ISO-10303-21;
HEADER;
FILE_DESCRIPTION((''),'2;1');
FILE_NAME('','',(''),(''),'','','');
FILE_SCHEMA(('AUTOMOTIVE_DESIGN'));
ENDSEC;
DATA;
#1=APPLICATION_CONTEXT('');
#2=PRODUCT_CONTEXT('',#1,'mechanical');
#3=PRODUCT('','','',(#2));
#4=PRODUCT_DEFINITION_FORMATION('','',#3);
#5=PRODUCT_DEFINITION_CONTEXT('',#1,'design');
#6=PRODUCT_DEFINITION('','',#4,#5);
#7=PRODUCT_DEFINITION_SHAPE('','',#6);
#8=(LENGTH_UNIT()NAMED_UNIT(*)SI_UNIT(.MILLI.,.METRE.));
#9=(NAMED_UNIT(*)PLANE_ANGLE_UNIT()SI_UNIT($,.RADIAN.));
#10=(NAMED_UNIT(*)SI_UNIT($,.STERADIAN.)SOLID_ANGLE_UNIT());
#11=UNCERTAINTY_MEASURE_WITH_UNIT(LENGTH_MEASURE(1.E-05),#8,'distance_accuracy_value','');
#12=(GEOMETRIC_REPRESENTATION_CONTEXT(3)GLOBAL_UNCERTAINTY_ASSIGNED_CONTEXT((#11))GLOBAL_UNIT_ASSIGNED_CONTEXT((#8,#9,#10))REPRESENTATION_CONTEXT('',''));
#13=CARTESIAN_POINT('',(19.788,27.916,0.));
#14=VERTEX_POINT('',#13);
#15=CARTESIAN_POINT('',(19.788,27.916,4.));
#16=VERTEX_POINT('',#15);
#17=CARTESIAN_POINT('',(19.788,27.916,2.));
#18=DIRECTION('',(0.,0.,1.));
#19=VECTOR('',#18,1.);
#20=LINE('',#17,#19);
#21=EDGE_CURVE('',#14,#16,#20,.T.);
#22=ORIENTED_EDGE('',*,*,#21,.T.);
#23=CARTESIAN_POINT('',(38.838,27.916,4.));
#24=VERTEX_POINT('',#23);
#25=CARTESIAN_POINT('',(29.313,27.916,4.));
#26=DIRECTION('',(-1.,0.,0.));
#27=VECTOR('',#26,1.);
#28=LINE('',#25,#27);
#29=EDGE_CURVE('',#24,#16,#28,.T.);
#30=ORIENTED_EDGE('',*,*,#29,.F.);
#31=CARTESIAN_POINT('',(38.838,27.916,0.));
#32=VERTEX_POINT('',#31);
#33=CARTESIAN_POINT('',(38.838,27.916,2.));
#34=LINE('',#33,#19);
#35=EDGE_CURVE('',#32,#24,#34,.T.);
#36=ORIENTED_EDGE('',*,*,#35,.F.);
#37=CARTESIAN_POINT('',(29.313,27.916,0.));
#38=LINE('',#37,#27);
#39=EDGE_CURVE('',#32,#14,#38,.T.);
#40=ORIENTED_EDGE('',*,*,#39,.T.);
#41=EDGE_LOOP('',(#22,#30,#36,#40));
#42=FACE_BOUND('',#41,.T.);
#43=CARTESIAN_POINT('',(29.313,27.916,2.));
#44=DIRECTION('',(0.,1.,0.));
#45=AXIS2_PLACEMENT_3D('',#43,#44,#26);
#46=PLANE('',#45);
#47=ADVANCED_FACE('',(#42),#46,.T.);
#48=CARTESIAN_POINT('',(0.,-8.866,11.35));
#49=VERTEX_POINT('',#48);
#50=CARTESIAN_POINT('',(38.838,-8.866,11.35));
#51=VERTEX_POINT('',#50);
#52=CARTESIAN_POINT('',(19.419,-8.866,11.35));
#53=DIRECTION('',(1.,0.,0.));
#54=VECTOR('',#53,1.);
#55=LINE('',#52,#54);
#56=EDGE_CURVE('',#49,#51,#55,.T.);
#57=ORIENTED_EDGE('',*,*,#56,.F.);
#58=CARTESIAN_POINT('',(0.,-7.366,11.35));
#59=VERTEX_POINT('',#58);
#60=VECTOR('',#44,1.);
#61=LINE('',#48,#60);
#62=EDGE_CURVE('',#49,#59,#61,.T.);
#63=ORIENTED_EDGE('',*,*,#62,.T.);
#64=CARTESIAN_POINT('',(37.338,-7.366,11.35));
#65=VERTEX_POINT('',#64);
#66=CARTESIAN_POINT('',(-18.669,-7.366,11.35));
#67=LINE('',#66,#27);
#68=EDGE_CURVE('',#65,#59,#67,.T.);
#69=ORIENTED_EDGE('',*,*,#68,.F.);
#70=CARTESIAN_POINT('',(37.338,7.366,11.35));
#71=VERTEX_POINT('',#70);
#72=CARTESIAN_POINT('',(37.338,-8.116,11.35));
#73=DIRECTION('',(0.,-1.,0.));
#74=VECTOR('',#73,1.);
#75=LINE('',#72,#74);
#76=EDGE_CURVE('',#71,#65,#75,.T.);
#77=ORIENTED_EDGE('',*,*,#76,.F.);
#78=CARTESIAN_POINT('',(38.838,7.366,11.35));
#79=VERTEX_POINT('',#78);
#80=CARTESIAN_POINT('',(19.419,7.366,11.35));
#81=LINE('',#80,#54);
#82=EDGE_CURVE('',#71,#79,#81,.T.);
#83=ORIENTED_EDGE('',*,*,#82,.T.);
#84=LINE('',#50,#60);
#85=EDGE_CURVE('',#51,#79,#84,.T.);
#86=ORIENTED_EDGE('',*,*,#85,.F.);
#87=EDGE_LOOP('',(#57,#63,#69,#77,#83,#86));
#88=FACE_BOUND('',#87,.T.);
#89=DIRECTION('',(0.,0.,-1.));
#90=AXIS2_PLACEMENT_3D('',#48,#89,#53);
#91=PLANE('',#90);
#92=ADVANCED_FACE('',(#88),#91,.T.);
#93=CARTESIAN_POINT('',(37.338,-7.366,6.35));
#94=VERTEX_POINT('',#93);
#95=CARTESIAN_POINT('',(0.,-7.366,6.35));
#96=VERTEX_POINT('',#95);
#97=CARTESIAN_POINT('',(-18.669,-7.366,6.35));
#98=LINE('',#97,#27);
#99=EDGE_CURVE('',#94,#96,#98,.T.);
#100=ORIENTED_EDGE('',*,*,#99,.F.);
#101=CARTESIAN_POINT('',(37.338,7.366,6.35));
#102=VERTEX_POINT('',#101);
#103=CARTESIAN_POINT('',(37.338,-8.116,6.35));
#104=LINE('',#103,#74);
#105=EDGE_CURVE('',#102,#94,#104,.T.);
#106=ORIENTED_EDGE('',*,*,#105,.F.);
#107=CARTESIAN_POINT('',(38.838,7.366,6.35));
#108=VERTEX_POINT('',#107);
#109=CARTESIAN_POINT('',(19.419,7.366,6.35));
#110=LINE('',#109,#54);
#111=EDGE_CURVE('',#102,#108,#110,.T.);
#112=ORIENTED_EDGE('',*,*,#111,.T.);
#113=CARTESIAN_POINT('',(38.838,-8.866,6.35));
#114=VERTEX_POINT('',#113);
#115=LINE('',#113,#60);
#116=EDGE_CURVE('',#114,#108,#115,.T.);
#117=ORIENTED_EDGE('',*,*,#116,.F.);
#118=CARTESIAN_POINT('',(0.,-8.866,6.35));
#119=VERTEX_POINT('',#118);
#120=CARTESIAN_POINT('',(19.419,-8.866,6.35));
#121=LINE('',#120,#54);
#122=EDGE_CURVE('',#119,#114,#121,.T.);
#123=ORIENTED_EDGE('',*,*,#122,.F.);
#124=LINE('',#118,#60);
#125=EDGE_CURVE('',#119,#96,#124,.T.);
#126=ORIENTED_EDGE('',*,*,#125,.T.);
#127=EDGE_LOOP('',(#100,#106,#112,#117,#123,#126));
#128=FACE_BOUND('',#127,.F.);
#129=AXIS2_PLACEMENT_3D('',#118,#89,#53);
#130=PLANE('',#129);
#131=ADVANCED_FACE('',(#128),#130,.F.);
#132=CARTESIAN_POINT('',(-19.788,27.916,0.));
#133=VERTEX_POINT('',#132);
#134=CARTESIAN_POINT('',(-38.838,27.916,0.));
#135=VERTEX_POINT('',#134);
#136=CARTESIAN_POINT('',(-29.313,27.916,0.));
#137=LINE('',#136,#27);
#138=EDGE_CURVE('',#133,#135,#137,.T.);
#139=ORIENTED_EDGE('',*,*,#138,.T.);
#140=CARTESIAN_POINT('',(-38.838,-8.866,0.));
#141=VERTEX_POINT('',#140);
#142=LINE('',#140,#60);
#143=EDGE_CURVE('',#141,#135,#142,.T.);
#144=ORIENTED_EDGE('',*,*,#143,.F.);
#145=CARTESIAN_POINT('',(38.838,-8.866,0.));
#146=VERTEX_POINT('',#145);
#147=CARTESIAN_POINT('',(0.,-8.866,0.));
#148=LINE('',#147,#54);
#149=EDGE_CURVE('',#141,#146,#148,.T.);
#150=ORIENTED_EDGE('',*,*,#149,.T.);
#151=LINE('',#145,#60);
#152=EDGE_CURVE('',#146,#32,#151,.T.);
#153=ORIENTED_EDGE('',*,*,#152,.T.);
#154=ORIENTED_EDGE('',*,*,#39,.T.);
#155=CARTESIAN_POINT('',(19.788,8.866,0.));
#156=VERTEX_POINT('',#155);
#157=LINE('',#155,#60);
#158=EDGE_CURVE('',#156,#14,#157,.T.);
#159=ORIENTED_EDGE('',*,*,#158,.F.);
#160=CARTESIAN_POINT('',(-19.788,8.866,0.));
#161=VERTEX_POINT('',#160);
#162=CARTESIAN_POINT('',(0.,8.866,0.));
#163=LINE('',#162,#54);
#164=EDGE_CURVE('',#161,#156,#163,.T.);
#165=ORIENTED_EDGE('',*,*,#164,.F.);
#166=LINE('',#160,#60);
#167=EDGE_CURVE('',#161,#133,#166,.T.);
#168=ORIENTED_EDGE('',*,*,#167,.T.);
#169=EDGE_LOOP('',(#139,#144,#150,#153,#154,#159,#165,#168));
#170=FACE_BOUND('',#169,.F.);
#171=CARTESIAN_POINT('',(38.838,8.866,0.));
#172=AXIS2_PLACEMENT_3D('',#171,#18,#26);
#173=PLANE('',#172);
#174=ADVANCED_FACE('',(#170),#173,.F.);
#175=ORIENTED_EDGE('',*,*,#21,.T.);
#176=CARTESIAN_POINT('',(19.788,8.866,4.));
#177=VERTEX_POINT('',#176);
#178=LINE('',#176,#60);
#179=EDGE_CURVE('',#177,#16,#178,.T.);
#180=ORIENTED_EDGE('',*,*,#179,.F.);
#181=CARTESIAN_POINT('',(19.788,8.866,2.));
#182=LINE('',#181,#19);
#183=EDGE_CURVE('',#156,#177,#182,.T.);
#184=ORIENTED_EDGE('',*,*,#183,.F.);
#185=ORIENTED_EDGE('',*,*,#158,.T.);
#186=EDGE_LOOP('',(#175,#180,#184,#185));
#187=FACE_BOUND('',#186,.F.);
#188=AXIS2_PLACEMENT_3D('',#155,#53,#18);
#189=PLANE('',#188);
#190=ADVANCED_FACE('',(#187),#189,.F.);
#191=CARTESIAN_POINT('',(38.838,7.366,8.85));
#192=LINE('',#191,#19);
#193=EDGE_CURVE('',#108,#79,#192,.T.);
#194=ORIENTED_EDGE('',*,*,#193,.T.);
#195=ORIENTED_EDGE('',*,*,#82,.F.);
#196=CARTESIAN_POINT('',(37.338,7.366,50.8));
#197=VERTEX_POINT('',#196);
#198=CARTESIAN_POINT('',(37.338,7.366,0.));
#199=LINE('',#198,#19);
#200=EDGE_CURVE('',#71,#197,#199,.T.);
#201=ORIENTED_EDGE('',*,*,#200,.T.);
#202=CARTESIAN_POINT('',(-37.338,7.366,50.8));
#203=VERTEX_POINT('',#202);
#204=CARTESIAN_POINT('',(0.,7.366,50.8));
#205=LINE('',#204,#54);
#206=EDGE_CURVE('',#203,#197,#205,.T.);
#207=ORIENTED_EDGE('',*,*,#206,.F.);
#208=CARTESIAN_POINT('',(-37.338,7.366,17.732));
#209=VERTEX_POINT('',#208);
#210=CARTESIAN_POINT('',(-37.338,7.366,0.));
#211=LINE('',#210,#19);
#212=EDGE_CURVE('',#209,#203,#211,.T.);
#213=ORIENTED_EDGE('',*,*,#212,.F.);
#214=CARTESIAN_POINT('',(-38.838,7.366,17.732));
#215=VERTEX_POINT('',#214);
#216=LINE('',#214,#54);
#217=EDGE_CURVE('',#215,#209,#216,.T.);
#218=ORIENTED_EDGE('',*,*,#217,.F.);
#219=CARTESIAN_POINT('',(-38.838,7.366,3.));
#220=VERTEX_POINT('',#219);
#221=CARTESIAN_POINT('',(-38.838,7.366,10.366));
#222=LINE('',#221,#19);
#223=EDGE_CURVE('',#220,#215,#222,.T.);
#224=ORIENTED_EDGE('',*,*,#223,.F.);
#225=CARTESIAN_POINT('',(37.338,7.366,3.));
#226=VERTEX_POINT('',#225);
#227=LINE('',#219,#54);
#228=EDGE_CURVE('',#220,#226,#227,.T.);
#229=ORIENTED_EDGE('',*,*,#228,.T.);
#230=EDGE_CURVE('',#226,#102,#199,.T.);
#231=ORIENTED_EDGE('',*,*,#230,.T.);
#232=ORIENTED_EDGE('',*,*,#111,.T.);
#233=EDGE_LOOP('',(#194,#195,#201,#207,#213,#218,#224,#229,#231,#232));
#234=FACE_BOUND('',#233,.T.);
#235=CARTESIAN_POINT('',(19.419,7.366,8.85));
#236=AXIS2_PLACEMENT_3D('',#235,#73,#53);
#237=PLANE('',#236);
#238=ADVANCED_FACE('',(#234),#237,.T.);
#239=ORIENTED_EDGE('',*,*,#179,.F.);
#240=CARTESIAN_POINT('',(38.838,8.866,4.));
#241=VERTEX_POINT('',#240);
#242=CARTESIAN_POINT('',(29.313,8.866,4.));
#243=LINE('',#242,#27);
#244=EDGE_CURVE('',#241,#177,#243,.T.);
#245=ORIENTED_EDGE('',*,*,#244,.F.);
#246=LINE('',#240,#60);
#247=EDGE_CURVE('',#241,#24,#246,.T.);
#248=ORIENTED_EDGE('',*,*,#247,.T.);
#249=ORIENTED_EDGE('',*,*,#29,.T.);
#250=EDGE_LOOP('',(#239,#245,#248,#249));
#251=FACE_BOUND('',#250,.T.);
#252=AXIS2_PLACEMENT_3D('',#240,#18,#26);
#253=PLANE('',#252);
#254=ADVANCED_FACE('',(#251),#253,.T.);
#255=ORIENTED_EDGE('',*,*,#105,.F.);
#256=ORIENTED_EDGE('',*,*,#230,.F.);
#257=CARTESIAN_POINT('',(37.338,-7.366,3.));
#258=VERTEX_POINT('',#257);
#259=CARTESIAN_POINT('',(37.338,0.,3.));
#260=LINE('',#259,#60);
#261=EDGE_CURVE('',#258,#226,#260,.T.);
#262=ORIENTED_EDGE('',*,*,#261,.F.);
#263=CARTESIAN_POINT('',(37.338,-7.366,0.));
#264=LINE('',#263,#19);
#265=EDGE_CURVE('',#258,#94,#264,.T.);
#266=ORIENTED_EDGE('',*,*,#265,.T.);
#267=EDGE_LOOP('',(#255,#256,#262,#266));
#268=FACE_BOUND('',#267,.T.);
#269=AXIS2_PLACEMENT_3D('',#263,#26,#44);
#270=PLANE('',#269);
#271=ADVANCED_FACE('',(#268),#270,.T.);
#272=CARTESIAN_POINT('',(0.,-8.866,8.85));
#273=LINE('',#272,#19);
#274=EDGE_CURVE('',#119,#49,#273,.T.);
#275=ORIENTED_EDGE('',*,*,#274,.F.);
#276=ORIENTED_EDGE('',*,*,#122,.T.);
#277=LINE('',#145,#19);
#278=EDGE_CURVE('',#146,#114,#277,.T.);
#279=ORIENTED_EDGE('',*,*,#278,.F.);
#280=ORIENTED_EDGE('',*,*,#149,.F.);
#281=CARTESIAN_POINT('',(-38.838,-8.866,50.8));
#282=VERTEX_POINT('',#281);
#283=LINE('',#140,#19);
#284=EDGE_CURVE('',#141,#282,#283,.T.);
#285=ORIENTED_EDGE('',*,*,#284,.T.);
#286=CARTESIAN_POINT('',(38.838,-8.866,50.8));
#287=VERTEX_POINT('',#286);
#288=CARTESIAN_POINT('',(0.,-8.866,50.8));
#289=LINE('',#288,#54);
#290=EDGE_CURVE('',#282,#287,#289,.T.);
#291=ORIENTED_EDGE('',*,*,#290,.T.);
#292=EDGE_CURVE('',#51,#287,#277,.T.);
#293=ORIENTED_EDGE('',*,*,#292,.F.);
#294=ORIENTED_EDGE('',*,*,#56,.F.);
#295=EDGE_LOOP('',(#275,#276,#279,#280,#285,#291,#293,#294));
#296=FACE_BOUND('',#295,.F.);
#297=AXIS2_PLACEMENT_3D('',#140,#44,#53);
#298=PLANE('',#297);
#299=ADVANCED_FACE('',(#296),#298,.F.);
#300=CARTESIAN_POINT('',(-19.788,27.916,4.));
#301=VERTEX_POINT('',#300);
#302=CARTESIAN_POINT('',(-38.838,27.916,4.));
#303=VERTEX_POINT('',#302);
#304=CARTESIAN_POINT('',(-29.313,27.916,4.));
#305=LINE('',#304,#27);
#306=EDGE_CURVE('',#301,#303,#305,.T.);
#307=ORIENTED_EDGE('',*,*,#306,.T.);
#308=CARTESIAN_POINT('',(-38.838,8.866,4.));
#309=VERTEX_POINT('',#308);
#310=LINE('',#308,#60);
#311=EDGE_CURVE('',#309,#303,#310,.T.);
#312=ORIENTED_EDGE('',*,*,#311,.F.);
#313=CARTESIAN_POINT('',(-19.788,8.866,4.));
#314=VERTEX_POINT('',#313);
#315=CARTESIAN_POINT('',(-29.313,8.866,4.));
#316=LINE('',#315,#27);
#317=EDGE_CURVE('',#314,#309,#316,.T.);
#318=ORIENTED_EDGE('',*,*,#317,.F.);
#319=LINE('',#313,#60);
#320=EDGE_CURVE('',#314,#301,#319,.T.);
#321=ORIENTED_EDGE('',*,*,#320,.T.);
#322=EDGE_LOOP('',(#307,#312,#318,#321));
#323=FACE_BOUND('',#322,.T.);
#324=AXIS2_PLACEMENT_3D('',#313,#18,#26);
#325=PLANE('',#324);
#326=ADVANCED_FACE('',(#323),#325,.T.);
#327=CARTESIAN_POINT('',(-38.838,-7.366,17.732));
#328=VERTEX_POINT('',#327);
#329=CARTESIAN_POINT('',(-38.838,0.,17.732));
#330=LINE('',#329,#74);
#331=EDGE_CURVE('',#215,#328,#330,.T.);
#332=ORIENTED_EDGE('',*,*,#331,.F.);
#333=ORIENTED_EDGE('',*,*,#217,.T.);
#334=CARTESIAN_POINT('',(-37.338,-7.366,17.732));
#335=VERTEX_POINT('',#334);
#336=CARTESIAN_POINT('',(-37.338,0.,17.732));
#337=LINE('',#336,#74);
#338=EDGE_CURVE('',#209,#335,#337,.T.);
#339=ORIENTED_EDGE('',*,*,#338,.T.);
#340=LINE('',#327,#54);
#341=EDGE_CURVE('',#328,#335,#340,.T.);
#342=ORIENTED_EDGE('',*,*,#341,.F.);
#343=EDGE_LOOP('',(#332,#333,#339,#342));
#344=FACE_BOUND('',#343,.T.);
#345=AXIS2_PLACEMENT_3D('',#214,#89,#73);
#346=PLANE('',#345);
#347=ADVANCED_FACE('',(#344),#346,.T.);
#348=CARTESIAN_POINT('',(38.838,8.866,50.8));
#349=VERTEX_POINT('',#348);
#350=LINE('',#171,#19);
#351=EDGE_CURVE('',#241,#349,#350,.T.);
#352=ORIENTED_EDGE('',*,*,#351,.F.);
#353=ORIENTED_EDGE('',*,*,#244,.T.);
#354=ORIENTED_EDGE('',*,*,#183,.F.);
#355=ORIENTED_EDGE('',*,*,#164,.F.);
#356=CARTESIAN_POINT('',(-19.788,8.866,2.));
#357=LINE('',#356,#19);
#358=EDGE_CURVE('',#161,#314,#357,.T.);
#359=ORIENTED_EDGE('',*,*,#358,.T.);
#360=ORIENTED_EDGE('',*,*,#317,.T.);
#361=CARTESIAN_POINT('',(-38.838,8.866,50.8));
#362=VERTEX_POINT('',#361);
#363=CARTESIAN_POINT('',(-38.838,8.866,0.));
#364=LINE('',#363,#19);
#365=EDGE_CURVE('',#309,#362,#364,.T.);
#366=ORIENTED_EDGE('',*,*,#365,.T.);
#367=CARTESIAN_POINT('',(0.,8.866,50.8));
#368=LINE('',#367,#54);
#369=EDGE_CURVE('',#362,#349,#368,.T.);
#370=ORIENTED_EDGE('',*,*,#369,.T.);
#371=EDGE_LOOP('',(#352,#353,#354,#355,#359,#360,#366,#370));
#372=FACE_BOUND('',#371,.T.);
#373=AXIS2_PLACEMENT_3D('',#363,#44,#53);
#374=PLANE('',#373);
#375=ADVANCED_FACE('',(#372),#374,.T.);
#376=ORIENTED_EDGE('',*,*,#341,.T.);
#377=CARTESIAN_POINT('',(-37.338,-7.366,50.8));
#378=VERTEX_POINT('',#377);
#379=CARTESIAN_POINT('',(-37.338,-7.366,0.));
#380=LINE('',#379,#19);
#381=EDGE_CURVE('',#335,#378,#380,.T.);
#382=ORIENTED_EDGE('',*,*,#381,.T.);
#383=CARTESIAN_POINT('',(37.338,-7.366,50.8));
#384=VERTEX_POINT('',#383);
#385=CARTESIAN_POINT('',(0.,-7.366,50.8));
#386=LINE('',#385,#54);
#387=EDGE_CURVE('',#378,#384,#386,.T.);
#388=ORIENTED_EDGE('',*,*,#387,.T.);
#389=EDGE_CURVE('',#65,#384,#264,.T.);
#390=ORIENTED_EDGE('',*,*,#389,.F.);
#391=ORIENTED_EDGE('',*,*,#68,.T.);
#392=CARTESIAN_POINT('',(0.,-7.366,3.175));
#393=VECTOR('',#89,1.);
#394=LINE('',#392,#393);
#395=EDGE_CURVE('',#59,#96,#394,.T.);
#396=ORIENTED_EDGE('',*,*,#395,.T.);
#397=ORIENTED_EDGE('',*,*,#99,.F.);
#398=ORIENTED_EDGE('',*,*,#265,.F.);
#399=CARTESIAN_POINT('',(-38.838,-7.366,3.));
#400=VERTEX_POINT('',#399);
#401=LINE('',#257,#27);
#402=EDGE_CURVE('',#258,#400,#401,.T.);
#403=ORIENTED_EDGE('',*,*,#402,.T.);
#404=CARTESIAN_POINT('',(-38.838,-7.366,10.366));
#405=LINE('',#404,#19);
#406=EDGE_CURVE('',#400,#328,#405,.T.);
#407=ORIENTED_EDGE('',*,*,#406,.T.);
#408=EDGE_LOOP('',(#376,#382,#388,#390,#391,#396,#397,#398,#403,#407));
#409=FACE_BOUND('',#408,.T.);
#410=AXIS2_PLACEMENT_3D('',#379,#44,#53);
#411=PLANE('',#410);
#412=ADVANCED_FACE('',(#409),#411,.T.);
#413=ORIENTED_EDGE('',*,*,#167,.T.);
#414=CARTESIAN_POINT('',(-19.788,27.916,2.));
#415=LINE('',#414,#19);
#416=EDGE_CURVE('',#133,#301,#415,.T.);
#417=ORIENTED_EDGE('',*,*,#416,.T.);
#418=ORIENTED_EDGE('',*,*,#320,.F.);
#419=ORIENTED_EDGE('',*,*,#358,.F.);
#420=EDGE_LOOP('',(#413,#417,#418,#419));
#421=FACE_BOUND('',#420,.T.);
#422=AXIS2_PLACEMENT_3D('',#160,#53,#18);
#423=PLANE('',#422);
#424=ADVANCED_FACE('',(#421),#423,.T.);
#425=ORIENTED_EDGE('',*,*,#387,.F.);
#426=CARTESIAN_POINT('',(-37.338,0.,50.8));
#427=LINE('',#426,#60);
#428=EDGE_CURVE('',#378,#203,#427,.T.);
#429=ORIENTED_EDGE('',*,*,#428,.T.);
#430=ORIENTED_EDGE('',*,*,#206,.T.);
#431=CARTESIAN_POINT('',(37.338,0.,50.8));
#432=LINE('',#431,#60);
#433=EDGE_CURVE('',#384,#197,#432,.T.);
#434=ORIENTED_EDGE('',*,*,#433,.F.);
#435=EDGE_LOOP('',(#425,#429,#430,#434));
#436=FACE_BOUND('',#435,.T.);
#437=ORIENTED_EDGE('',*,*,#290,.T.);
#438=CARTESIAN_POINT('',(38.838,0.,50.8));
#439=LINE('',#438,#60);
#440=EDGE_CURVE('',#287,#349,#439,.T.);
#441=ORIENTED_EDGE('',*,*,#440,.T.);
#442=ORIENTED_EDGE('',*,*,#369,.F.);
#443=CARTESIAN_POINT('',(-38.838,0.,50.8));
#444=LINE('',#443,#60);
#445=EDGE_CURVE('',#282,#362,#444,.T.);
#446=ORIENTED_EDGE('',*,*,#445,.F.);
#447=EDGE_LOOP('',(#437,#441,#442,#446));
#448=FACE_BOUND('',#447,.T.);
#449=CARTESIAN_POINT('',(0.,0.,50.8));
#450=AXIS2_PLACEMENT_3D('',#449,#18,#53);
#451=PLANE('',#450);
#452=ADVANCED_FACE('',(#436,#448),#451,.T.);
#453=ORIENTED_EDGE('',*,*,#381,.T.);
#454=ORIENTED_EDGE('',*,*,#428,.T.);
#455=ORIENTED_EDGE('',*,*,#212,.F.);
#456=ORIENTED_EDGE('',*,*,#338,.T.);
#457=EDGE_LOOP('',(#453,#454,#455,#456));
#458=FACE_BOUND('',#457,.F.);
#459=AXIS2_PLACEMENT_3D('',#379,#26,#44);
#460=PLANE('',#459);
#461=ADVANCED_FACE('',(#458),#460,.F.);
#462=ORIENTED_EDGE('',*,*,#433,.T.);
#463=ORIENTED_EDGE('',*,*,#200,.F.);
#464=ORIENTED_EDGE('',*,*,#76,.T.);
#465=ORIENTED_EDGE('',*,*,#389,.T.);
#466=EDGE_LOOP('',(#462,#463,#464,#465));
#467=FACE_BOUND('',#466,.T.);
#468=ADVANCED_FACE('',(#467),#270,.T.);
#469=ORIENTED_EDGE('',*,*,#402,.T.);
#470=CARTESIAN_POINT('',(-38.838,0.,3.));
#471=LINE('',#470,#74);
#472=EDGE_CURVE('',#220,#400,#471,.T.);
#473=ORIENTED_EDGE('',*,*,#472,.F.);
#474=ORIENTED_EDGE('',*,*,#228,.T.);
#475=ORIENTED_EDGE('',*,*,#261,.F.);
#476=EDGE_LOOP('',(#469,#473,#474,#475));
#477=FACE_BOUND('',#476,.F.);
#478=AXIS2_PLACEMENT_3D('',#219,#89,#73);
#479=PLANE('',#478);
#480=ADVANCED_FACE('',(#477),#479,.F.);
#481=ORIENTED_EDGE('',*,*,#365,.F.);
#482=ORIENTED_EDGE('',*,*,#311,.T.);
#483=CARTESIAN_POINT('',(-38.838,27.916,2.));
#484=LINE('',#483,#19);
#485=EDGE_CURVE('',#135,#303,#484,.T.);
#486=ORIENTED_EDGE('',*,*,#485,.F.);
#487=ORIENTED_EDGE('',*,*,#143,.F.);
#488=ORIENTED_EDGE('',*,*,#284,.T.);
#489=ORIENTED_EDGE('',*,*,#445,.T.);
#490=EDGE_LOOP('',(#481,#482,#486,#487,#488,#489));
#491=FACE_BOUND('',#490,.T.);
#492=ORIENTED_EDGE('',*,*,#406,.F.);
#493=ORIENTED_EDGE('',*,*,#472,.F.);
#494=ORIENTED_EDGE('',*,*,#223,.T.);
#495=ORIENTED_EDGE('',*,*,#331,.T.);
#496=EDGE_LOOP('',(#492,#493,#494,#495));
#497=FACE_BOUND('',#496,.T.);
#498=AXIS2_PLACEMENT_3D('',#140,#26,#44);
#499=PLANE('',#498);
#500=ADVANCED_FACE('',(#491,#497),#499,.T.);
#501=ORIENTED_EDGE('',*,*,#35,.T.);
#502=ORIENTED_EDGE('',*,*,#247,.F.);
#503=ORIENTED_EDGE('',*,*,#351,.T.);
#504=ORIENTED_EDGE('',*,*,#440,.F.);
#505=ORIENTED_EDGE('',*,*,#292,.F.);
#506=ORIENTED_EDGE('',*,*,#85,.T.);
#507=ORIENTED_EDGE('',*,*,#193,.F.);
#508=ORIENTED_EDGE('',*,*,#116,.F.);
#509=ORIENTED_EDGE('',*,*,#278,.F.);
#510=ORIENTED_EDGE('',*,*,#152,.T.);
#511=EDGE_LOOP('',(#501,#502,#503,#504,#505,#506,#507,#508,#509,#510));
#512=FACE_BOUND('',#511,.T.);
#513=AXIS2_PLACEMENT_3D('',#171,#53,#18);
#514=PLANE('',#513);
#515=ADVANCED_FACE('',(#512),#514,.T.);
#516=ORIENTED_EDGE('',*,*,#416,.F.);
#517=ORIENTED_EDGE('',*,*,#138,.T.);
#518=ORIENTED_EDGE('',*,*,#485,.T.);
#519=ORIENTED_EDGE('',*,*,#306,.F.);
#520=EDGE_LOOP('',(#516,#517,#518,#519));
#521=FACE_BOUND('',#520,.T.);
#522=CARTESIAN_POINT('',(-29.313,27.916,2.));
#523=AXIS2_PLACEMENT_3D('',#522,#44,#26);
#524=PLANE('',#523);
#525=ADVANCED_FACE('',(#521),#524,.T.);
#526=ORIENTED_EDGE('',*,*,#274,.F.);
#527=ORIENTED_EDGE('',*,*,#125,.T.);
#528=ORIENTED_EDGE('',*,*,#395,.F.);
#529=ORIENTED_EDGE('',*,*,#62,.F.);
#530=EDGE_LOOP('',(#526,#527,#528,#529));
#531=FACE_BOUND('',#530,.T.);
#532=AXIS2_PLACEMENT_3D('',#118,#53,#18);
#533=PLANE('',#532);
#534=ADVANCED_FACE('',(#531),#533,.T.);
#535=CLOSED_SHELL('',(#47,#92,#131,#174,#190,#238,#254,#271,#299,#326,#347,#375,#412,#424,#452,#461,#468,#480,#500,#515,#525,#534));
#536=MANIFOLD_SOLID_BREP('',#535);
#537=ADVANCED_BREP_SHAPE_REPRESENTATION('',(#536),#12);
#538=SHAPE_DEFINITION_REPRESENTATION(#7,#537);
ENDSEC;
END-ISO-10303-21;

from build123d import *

# Parameters (mm, degrees)
F0_W     = 77.676
F0_H     = 17.732
F0_W_2   = 74.676
F0_H_2   = 14.732
F1_DEPTH = 50.8
F2_DEPTH = 3
F3_W     = 19.05
F3_H     = 4
F4_DEPTH = 19.05
F5_W     = 14.732
F5_H     = 14.732
F6_DEPTH = 5
F7_W     = 38.838
F7_H     = 5
F8_DEPTH = 16.232


with BuildPart() as f1:
    # F0 (on Top) → F1 (new body)
    with BuildSketch(Plane.XY):
        Rectangle(F0_W, F0_H)
        Rectangle(F0_W_2, F0_H_2, mode=Mode.SUBTRACT)
    extrude(amount=F1_DEPTH)

    # F0 (on Top) → F2 (join)
    with BuildSketch(Plane.XY):
        Rectangle(F0_W_2, F0_H_2)
    extrude(amount=F2_DEPTH)

    # F3 (on face) → F4 (join)
    with BuildSketch(Plane(origin=(0, 8.866, 0), x_dir=(-1, 0, 0), z_dir=(0, 1, 0))):
        with Locations((-29.313, 2)):
            Rectangle(F3_W, F3_H)
        with Locations((29.313, 2)):
            Rectangle(F3_W, F3_H)
    extrude(amount=F4_DEPTH)

    # F5 (on face) → F6 (cut)
    with BuildSketch(Plane(origin=(-38.838, 0, 0), x_dir=(0, -1, 0), z_dir=(-1, 0, 0))):
        with Locations((0, 10.366)):
            Rectangle(F5_W, F5_H)
    extrude(amount=-F6_DEPTH, mode=Mode.SUBTRACT)

    # F7 (on face) → F8 (cut)
    with BuildSketch(Plane.XZ.offset(8.866)):
        with Locations((19.419, 8.85)):
            Rectangle(F7_W, F7_H)
    extrude(amount=-F8_DEPTH, mode=Mode.SUBTRACT)


solid = f1.part
